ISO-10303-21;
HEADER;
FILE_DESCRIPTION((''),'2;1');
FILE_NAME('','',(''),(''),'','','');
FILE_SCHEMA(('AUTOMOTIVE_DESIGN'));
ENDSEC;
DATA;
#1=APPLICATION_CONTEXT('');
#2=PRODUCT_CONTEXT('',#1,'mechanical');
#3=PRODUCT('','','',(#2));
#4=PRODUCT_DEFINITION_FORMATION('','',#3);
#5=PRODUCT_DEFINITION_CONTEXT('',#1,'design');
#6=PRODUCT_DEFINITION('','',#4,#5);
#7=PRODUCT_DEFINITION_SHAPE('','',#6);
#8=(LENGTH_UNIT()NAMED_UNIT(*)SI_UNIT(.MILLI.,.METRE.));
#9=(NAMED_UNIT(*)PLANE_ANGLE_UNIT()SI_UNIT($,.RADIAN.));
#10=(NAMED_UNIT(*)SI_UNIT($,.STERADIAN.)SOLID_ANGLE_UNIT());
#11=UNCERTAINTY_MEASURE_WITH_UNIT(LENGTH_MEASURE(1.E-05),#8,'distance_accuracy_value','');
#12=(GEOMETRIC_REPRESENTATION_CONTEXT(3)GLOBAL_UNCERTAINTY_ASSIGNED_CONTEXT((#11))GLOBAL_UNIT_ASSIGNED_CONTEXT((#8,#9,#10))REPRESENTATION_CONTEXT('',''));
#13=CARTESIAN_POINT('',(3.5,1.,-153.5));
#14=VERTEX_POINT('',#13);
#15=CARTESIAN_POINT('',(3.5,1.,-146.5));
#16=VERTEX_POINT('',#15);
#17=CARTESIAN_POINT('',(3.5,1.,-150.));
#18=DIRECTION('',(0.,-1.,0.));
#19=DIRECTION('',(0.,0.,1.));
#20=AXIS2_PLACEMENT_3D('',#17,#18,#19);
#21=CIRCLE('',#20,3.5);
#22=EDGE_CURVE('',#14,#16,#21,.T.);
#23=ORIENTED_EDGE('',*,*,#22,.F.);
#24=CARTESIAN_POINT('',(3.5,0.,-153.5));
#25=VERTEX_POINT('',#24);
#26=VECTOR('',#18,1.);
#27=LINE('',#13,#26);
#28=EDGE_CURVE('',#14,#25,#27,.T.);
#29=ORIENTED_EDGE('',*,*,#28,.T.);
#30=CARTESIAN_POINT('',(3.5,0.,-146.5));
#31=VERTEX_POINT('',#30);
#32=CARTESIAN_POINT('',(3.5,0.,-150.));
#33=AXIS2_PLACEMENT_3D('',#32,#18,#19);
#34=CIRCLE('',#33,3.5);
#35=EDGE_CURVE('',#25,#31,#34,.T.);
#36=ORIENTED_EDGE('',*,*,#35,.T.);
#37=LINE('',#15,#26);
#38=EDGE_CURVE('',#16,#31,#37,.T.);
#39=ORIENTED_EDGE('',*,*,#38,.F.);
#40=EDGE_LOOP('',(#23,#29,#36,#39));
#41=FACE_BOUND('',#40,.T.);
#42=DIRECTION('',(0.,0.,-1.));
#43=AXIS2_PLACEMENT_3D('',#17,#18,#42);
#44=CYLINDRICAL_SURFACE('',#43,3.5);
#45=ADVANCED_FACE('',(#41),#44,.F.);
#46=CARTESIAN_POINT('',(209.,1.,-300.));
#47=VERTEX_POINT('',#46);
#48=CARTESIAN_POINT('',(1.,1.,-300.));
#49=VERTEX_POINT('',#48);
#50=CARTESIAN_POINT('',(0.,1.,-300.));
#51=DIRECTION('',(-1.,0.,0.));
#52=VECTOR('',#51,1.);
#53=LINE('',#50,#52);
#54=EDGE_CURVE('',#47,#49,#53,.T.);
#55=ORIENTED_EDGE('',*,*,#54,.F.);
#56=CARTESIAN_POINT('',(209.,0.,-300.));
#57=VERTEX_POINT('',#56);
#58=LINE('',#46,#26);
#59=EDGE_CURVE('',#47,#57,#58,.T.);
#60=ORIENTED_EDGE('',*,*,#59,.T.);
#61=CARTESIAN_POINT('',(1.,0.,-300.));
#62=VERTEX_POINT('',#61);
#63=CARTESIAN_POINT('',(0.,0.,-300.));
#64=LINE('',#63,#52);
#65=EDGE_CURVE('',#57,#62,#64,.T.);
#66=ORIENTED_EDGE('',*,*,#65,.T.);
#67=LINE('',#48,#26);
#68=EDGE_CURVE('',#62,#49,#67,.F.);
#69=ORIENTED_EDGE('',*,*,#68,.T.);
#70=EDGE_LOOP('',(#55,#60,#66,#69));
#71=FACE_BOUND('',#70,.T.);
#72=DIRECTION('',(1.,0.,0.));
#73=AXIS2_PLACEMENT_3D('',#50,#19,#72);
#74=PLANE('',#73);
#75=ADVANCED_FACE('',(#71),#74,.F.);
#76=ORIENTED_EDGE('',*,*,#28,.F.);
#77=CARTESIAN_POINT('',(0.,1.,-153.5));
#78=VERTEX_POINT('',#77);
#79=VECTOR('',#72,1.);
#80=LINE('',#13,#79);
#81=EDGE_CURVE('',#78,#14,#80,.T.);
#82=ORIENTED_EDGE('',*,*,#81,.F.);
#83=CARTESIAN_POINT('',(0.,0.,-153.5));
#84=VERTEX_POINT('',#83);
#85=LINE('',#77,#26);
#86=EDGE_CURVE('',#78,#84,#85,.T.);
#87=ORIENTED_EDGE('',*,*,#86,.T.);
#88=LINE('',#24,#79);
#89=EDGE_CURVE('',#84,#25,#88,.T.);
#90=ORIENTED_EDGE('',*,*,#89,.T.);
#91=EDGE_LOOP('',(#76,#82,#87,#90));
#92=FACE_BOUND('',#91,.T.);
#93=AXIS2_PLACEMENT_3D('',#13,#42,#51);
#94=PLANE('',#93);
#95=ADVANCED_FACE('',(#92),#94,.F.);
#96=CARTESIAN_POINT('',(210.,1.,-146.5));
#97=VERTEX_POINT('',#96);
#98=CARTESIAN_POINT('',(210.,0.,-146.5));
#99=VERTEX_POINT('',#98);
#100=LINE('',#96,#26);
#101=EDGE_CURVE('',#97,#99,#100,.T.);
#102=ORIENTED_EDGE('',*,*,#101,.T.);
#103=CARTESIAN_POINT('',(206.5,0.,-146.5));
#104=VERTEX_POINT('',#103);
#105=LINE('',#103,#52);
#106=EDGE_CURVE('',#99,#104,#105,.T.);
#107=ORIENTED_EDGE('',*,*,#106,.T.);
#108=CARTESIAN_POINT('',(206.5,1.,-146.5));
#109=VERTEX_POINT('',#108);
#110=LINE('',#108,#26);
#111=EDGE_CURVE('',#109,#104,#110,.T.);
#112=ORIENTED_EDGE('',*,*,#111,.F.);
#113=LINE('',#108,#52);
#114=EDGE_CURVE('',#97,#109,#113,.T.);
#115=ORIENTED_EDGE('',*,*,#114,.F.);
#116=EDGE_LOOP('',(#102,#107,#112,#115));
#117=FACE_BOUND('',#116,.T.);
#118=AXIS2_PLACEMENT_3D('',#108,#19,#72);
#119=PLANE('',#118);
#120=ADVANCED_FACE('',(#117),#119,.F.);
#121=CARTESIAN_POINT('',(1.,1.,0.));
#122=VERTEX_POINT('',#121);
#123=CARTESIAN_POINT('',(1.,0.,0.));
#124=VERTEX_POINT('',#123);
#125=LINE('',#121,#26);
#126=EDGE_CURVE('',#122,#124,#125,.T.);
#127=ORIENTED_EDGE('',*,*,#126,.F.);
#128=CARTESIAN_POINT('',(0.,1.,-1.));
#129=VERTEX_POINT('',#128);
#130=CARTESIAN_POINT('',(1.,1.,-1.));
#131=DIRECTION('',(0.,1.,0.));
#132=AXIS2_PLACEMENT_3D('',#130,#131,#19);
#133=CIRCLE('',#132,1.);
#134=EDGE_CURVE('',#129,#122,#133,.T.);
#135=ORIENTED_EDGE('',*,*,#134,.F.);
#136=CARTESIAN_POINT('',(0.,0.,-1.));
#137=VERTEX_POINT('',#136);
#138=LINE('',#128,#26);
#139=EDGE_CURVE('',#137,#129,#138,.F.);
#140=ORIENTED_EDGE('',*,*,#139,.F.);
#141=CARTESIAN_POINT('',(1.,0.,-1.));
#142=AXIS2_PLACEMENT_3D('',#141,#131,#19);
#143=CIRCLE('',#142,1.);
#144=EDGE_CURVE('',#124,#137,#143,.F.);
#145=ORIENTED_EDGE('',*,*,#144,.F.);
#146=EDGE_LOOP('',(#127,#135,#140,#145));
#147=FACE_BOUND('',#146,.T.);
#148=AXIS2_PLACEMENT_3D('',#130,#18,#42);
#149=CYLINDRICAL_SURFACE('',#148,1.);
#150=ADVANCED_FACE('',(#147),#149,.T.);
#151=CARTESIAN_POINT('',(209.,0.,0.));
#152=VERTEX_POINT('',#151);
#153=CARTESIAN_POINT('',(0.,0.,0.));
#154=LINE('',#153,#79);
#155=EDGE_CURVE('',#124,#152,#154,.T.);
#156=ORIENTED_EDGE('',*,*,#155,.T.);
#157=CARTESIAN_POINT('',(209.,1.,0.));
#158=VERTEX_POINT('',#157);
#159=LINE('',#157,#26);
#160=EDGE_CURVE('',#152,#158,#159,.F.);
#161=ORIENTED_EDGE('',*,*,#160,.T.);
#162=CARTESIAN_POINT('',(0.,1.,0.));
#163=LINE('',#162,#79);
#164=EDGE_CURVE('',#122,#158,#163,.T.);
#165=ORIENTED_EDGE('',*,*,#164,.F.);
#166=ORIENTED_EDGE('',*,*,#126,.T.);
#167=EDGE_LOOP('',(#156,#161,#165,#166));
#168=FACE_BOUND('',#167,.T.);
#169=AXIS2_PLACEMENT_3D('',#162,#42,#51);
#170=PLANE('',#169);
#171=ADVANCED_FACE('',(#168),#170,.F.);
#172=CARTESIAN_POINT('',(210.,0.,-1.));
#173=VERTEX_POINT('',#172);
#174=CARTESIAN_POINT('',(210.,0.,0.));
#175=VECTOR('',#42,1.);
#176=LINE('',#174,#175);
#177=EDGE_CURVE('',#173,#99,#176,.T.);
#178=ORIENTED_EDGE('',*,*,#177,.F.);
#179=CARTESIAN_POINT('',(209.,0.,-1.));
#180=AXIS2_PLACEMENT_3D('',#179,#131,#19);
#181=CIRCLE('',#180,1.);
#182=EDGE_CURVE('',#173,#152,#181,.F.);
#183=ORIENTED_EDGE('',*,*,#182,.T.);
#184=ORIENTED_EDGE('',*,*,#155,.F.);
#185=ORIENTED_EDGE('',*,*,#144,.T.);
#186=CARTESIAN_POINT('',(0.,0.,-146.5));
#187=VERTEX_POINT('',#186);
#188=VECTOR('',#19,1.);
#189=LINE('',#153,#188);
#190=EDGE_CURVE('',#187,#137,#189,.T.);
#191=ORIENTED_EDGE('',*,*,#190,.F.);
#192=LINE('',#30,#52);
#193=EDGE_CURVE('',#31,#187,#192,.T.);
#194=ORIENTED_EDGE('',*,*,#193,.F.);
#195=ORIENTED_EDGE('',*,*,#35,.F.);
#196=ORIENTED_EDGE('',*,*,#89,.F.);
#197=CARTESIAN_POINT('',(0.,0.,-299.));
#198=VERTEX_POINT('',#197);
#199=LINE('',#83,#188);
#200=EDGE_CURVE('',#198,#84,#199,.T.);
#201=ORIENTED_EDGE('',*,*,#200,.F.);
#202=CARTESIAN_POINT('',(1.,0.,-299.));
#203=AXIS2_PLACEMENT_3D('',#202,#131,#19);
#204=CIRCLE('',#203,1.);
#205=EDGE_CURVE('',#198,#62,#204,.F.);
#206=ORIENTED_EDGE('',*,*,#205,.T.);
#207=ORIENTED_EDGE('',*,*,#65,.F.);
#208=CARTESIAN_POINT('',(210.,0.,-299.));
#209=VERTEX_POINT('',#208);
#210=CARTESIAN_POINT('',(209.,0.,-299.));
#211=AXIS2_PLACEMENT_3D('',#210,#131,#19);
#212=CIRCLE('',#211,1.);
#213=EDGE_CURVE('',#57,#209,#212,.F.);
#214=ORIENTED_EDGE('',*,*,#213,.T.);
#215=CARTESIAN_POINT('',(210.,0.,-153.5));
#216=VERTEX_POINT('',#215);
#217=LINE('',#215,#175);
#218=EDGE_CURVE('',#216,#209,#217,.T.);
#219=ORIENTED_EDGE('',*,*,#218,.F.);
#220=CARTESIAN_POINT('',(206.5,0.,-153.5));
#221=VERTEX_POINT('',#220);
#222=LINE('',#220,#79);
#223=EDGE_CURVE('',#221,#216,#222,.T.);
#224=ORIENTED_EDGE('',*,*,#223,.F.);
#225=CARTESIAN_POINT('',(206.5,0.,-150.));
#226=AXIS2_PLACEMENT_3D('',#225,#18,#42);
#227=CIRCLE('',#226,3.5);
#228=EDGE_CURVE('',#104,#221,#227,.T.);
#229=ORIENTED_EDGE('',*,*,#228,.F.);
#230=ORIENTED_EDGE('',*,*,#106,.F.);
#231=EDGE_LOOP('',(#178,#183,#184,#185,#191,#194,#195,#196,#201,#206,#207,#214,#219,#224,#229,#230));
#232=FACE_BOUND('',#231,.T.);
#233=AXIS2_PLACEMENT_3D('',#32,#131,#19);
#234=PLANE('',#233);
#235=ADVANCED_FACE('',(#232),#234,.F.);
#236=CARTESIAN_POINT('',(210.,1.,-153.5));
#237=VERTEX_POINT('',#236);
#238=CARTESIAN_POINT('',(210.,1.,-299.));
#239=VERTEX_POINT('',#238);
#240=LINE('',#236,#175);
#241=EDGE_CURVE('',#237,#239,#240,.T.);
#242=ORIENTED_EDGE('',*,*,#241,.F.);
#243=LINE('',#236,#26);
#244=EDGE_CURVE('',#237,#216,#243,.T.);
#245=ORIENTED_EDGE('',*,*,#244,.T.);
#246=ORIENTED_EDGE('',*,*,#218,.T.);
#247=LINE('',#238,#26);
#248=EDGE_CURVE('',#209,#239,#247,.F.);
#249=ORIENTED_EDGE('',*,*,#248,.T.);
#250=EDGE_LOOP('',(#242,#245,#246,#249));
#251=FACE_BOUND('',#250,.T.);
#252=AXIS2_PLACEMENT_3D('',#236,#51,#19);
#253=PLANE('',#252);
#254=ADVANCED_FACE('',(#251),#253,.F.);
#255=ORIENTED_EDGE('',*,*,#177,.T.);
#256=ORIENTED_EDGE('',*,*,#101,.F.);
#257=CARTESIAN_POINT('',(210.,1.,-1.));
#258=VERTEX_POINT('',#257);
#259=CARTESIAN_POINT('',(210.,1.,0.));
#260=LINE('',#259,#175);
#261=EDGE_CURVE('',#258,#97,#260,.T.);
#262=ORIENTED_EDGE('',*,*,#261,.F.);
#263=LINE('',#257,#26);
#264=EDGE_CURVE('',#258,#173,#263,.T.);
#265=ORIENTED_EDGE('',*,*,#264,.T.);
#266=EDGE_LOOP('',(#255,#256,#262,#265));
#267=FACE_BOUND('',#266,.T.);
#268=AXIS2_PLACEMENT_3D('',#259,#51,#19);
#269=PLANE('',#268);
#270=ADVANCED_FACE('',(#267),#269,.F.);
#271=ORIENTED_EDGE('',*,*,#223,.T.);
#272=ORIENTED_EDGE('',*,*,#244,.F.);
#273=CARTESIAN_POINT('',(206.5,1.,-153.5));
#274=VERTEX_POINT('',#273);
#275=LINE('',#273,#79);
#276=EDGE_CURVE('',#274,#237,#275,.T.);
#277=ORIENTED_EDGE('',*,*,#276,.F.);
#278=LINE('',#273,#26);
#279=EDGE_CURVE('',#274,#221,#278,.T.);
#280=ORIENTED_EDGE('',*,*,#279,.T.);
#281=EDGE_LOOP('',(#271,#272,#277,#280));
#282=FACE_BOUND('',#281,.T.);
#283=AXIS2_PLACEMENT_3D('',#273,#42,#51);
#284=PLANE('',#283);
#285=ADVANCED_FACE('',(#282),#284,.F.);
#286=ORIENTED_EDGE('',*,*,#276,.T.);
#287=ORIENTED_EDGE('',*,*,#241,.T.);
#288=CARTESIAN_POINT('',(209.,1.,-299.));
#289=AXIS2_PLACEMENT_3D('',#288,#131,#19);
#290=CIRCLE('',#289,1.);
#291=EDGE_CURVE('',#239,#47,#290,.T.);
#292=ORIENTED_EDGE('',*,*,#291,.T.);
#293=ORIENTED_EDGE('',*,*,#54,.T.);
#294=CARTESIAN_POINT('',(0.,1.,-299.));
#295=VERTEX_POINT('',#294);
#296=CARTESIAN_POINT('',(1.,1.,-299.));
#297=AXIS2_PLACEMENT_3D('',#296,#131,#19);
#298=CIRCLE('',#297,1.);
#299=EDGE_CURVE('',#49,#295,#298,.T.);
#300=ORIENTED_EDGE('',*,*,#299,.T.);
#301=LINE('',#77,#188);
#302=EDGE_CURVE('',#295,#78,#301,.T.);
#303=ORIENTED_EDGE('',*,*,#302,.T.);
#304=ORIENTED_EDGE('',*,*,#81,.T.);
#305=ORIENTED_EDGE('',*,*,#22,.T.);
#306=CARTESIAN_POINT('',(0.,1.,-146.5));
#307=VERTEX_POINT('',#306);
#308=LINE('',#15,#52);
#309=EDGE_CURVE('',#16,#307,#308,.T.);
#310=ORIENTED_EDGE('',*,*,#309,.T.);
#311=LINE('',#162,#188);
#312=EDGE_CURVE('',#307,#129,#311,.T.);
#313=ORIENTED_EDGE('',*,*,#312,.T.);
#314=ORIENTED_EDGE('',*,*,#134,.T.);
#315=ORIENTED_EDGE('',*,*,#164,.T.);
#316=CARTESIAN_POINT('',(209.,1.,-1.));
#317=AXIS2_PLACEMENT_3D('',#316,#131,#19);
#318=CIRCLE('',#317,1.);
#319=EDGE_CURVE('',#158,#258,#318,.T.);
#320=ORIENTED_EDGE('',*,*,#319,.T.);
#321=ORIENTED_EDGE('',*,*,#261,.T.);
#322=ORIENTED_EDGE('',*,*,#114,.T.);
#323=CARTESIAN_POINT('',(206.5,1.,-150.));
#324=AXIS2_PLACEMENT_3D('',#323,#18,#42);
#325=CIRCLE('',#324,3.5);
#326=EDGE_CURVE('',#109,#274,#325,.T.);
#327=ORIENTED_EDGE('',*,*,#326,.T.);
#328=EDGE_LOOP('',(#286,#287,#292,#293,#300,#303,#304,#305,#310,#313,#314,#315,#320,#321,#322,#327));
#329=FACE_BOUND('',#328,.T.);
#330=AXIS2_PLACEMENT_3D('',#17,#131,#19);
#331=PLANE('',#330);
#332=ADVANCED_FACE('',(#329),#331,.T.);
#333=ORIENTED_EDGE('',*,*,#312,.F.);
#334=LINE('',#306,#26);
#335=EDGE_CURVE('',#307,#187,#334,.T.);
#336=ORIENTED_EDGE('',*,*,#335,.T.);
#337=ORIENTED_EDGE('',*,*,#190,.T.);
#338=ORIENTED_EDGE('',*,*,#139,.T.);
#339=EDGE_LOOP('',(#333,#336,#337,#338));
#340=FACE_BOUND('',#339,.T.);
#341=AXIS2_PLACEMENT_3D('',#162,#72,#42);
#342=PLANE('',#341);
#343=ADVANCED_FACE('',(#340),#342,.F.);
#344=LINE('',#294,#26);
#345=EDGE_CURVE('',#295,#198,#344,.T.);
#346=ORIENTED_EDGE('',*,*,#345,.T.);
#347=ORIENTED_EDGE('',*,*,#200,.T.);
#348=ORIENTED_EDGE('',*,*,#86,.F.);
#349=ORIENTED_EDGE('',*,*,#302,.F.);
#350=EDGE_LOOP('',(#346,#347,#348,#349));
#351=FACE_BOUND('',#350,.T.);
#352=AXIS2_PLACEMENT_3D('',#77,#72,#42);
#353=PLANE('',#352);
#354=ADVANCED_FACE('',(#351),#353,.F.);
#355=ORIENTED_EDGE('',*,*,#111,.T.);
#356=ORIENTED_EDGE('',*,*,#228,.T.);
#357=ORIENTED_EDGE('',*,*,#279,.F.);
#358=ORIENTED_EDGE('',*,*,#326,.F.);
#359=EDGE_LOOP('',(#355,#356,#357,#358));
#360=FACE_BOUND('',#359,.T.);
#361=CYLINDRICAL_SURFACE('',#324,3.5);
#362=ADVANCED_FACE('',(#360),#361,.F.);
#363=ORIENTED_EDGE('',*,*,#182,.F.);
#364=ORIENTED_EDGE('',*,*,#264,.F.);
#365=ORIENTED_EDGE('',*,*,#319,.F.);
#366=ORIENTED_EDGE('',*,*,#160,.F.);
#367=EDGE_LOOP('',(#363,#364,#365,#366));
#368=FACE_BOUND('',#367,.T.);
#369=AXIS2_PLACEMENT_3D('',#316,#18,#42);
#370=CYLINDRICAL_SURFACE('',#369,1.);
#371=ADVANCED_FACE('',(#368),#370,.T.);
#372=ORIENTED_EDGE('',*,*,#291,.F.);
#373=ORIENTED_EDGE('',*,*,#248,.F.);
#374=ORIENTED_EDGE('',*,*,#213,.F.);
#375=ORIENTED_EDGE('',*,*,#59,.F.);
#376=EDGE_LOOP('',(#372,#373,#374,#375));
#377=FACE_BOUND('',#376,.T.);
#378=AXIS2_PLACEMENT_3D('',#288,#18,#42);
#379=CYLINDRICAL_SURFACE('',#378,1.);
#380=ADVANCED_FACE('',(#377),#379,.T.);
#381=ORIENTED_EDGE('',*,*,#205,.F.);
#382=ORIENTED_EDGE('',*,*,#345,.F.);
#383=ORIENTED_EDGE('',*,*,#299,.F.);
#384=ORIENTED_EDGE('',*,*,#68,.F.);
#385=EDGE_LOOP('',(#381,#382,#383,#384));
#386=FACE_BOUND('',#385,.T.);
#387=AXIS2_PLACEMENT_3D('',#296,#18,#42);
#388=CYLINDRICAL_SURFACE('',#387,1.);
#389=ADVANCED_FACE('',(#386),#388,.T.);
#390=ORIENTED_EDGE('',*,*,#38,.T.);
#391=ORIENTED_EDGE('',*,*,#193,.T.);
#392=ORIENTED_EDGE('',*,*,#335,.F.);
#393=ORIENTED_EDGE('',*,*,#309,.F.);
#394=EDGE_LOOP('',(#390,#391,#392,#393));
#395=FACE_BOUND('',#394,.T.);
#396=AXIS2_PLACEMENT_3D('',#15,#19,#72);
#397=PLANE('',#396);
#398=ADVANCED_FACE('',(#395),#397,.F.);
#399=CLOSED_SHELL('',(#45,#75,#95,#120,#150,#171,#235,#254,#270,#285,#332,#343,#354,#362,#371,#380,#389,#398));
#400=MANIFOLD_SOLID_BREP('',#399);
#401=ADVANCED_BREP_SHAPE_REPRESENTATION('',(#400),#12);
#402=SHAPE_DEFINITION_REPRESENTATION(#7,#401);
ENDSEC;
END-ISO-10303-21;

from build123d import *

# Parameters (mm, degrees)
SALIENTE_EXTRUIR1_DEPTH = 1
REDONDEO1_R             = 1


with BuildPart() as part:
    # Croquis1 → Saliente-Extruir1 (new body)
    with BuildSketch(Plane(origin=(0, 0, 0), x_dir=(1, 0, 0), z_dir=(0, 1, 0))):
        with BuildLine():
            Line((0, 0), (210, 0))
            Line((210, 0), (210, 146.5))
            Line((210, 146.5), (206.5, 146.5))
            ThreePointArc((206.5, 146.5), (203, 150), (206.5, 153.5))
            Line((206.5, 153.5), (210, 153.5))
            Line((210, 153.5), (210, 300))
            Line((210, 300), (0, 300))
            Line((0, 300), (0, 153.5))
            Line((0, 153.5), (3.5, 153.5))
            ThreePointArc((3.5, 153.5), (7, 150), (3.5, 146.5))
            Line((3.5, 146.5), (0, 146.5))
            Line((0, 146.5), (0, 0))
        make_face()
    extrude(amount=SALIENTE_EXTRUIR1_DEPTH)

    # Redondeo1
    redondeo1_edges = [part.edges().sort_by_distance(p)[0] for p in [
        (0, 0.5, -300),
        (210, 0.5, -300),
        (210, 0.5, 0),
        (0, 0.5, 0),
    ]]
    fillet(redondeo1_edges, radius=REDONDEO1_R)


solid = part.part
